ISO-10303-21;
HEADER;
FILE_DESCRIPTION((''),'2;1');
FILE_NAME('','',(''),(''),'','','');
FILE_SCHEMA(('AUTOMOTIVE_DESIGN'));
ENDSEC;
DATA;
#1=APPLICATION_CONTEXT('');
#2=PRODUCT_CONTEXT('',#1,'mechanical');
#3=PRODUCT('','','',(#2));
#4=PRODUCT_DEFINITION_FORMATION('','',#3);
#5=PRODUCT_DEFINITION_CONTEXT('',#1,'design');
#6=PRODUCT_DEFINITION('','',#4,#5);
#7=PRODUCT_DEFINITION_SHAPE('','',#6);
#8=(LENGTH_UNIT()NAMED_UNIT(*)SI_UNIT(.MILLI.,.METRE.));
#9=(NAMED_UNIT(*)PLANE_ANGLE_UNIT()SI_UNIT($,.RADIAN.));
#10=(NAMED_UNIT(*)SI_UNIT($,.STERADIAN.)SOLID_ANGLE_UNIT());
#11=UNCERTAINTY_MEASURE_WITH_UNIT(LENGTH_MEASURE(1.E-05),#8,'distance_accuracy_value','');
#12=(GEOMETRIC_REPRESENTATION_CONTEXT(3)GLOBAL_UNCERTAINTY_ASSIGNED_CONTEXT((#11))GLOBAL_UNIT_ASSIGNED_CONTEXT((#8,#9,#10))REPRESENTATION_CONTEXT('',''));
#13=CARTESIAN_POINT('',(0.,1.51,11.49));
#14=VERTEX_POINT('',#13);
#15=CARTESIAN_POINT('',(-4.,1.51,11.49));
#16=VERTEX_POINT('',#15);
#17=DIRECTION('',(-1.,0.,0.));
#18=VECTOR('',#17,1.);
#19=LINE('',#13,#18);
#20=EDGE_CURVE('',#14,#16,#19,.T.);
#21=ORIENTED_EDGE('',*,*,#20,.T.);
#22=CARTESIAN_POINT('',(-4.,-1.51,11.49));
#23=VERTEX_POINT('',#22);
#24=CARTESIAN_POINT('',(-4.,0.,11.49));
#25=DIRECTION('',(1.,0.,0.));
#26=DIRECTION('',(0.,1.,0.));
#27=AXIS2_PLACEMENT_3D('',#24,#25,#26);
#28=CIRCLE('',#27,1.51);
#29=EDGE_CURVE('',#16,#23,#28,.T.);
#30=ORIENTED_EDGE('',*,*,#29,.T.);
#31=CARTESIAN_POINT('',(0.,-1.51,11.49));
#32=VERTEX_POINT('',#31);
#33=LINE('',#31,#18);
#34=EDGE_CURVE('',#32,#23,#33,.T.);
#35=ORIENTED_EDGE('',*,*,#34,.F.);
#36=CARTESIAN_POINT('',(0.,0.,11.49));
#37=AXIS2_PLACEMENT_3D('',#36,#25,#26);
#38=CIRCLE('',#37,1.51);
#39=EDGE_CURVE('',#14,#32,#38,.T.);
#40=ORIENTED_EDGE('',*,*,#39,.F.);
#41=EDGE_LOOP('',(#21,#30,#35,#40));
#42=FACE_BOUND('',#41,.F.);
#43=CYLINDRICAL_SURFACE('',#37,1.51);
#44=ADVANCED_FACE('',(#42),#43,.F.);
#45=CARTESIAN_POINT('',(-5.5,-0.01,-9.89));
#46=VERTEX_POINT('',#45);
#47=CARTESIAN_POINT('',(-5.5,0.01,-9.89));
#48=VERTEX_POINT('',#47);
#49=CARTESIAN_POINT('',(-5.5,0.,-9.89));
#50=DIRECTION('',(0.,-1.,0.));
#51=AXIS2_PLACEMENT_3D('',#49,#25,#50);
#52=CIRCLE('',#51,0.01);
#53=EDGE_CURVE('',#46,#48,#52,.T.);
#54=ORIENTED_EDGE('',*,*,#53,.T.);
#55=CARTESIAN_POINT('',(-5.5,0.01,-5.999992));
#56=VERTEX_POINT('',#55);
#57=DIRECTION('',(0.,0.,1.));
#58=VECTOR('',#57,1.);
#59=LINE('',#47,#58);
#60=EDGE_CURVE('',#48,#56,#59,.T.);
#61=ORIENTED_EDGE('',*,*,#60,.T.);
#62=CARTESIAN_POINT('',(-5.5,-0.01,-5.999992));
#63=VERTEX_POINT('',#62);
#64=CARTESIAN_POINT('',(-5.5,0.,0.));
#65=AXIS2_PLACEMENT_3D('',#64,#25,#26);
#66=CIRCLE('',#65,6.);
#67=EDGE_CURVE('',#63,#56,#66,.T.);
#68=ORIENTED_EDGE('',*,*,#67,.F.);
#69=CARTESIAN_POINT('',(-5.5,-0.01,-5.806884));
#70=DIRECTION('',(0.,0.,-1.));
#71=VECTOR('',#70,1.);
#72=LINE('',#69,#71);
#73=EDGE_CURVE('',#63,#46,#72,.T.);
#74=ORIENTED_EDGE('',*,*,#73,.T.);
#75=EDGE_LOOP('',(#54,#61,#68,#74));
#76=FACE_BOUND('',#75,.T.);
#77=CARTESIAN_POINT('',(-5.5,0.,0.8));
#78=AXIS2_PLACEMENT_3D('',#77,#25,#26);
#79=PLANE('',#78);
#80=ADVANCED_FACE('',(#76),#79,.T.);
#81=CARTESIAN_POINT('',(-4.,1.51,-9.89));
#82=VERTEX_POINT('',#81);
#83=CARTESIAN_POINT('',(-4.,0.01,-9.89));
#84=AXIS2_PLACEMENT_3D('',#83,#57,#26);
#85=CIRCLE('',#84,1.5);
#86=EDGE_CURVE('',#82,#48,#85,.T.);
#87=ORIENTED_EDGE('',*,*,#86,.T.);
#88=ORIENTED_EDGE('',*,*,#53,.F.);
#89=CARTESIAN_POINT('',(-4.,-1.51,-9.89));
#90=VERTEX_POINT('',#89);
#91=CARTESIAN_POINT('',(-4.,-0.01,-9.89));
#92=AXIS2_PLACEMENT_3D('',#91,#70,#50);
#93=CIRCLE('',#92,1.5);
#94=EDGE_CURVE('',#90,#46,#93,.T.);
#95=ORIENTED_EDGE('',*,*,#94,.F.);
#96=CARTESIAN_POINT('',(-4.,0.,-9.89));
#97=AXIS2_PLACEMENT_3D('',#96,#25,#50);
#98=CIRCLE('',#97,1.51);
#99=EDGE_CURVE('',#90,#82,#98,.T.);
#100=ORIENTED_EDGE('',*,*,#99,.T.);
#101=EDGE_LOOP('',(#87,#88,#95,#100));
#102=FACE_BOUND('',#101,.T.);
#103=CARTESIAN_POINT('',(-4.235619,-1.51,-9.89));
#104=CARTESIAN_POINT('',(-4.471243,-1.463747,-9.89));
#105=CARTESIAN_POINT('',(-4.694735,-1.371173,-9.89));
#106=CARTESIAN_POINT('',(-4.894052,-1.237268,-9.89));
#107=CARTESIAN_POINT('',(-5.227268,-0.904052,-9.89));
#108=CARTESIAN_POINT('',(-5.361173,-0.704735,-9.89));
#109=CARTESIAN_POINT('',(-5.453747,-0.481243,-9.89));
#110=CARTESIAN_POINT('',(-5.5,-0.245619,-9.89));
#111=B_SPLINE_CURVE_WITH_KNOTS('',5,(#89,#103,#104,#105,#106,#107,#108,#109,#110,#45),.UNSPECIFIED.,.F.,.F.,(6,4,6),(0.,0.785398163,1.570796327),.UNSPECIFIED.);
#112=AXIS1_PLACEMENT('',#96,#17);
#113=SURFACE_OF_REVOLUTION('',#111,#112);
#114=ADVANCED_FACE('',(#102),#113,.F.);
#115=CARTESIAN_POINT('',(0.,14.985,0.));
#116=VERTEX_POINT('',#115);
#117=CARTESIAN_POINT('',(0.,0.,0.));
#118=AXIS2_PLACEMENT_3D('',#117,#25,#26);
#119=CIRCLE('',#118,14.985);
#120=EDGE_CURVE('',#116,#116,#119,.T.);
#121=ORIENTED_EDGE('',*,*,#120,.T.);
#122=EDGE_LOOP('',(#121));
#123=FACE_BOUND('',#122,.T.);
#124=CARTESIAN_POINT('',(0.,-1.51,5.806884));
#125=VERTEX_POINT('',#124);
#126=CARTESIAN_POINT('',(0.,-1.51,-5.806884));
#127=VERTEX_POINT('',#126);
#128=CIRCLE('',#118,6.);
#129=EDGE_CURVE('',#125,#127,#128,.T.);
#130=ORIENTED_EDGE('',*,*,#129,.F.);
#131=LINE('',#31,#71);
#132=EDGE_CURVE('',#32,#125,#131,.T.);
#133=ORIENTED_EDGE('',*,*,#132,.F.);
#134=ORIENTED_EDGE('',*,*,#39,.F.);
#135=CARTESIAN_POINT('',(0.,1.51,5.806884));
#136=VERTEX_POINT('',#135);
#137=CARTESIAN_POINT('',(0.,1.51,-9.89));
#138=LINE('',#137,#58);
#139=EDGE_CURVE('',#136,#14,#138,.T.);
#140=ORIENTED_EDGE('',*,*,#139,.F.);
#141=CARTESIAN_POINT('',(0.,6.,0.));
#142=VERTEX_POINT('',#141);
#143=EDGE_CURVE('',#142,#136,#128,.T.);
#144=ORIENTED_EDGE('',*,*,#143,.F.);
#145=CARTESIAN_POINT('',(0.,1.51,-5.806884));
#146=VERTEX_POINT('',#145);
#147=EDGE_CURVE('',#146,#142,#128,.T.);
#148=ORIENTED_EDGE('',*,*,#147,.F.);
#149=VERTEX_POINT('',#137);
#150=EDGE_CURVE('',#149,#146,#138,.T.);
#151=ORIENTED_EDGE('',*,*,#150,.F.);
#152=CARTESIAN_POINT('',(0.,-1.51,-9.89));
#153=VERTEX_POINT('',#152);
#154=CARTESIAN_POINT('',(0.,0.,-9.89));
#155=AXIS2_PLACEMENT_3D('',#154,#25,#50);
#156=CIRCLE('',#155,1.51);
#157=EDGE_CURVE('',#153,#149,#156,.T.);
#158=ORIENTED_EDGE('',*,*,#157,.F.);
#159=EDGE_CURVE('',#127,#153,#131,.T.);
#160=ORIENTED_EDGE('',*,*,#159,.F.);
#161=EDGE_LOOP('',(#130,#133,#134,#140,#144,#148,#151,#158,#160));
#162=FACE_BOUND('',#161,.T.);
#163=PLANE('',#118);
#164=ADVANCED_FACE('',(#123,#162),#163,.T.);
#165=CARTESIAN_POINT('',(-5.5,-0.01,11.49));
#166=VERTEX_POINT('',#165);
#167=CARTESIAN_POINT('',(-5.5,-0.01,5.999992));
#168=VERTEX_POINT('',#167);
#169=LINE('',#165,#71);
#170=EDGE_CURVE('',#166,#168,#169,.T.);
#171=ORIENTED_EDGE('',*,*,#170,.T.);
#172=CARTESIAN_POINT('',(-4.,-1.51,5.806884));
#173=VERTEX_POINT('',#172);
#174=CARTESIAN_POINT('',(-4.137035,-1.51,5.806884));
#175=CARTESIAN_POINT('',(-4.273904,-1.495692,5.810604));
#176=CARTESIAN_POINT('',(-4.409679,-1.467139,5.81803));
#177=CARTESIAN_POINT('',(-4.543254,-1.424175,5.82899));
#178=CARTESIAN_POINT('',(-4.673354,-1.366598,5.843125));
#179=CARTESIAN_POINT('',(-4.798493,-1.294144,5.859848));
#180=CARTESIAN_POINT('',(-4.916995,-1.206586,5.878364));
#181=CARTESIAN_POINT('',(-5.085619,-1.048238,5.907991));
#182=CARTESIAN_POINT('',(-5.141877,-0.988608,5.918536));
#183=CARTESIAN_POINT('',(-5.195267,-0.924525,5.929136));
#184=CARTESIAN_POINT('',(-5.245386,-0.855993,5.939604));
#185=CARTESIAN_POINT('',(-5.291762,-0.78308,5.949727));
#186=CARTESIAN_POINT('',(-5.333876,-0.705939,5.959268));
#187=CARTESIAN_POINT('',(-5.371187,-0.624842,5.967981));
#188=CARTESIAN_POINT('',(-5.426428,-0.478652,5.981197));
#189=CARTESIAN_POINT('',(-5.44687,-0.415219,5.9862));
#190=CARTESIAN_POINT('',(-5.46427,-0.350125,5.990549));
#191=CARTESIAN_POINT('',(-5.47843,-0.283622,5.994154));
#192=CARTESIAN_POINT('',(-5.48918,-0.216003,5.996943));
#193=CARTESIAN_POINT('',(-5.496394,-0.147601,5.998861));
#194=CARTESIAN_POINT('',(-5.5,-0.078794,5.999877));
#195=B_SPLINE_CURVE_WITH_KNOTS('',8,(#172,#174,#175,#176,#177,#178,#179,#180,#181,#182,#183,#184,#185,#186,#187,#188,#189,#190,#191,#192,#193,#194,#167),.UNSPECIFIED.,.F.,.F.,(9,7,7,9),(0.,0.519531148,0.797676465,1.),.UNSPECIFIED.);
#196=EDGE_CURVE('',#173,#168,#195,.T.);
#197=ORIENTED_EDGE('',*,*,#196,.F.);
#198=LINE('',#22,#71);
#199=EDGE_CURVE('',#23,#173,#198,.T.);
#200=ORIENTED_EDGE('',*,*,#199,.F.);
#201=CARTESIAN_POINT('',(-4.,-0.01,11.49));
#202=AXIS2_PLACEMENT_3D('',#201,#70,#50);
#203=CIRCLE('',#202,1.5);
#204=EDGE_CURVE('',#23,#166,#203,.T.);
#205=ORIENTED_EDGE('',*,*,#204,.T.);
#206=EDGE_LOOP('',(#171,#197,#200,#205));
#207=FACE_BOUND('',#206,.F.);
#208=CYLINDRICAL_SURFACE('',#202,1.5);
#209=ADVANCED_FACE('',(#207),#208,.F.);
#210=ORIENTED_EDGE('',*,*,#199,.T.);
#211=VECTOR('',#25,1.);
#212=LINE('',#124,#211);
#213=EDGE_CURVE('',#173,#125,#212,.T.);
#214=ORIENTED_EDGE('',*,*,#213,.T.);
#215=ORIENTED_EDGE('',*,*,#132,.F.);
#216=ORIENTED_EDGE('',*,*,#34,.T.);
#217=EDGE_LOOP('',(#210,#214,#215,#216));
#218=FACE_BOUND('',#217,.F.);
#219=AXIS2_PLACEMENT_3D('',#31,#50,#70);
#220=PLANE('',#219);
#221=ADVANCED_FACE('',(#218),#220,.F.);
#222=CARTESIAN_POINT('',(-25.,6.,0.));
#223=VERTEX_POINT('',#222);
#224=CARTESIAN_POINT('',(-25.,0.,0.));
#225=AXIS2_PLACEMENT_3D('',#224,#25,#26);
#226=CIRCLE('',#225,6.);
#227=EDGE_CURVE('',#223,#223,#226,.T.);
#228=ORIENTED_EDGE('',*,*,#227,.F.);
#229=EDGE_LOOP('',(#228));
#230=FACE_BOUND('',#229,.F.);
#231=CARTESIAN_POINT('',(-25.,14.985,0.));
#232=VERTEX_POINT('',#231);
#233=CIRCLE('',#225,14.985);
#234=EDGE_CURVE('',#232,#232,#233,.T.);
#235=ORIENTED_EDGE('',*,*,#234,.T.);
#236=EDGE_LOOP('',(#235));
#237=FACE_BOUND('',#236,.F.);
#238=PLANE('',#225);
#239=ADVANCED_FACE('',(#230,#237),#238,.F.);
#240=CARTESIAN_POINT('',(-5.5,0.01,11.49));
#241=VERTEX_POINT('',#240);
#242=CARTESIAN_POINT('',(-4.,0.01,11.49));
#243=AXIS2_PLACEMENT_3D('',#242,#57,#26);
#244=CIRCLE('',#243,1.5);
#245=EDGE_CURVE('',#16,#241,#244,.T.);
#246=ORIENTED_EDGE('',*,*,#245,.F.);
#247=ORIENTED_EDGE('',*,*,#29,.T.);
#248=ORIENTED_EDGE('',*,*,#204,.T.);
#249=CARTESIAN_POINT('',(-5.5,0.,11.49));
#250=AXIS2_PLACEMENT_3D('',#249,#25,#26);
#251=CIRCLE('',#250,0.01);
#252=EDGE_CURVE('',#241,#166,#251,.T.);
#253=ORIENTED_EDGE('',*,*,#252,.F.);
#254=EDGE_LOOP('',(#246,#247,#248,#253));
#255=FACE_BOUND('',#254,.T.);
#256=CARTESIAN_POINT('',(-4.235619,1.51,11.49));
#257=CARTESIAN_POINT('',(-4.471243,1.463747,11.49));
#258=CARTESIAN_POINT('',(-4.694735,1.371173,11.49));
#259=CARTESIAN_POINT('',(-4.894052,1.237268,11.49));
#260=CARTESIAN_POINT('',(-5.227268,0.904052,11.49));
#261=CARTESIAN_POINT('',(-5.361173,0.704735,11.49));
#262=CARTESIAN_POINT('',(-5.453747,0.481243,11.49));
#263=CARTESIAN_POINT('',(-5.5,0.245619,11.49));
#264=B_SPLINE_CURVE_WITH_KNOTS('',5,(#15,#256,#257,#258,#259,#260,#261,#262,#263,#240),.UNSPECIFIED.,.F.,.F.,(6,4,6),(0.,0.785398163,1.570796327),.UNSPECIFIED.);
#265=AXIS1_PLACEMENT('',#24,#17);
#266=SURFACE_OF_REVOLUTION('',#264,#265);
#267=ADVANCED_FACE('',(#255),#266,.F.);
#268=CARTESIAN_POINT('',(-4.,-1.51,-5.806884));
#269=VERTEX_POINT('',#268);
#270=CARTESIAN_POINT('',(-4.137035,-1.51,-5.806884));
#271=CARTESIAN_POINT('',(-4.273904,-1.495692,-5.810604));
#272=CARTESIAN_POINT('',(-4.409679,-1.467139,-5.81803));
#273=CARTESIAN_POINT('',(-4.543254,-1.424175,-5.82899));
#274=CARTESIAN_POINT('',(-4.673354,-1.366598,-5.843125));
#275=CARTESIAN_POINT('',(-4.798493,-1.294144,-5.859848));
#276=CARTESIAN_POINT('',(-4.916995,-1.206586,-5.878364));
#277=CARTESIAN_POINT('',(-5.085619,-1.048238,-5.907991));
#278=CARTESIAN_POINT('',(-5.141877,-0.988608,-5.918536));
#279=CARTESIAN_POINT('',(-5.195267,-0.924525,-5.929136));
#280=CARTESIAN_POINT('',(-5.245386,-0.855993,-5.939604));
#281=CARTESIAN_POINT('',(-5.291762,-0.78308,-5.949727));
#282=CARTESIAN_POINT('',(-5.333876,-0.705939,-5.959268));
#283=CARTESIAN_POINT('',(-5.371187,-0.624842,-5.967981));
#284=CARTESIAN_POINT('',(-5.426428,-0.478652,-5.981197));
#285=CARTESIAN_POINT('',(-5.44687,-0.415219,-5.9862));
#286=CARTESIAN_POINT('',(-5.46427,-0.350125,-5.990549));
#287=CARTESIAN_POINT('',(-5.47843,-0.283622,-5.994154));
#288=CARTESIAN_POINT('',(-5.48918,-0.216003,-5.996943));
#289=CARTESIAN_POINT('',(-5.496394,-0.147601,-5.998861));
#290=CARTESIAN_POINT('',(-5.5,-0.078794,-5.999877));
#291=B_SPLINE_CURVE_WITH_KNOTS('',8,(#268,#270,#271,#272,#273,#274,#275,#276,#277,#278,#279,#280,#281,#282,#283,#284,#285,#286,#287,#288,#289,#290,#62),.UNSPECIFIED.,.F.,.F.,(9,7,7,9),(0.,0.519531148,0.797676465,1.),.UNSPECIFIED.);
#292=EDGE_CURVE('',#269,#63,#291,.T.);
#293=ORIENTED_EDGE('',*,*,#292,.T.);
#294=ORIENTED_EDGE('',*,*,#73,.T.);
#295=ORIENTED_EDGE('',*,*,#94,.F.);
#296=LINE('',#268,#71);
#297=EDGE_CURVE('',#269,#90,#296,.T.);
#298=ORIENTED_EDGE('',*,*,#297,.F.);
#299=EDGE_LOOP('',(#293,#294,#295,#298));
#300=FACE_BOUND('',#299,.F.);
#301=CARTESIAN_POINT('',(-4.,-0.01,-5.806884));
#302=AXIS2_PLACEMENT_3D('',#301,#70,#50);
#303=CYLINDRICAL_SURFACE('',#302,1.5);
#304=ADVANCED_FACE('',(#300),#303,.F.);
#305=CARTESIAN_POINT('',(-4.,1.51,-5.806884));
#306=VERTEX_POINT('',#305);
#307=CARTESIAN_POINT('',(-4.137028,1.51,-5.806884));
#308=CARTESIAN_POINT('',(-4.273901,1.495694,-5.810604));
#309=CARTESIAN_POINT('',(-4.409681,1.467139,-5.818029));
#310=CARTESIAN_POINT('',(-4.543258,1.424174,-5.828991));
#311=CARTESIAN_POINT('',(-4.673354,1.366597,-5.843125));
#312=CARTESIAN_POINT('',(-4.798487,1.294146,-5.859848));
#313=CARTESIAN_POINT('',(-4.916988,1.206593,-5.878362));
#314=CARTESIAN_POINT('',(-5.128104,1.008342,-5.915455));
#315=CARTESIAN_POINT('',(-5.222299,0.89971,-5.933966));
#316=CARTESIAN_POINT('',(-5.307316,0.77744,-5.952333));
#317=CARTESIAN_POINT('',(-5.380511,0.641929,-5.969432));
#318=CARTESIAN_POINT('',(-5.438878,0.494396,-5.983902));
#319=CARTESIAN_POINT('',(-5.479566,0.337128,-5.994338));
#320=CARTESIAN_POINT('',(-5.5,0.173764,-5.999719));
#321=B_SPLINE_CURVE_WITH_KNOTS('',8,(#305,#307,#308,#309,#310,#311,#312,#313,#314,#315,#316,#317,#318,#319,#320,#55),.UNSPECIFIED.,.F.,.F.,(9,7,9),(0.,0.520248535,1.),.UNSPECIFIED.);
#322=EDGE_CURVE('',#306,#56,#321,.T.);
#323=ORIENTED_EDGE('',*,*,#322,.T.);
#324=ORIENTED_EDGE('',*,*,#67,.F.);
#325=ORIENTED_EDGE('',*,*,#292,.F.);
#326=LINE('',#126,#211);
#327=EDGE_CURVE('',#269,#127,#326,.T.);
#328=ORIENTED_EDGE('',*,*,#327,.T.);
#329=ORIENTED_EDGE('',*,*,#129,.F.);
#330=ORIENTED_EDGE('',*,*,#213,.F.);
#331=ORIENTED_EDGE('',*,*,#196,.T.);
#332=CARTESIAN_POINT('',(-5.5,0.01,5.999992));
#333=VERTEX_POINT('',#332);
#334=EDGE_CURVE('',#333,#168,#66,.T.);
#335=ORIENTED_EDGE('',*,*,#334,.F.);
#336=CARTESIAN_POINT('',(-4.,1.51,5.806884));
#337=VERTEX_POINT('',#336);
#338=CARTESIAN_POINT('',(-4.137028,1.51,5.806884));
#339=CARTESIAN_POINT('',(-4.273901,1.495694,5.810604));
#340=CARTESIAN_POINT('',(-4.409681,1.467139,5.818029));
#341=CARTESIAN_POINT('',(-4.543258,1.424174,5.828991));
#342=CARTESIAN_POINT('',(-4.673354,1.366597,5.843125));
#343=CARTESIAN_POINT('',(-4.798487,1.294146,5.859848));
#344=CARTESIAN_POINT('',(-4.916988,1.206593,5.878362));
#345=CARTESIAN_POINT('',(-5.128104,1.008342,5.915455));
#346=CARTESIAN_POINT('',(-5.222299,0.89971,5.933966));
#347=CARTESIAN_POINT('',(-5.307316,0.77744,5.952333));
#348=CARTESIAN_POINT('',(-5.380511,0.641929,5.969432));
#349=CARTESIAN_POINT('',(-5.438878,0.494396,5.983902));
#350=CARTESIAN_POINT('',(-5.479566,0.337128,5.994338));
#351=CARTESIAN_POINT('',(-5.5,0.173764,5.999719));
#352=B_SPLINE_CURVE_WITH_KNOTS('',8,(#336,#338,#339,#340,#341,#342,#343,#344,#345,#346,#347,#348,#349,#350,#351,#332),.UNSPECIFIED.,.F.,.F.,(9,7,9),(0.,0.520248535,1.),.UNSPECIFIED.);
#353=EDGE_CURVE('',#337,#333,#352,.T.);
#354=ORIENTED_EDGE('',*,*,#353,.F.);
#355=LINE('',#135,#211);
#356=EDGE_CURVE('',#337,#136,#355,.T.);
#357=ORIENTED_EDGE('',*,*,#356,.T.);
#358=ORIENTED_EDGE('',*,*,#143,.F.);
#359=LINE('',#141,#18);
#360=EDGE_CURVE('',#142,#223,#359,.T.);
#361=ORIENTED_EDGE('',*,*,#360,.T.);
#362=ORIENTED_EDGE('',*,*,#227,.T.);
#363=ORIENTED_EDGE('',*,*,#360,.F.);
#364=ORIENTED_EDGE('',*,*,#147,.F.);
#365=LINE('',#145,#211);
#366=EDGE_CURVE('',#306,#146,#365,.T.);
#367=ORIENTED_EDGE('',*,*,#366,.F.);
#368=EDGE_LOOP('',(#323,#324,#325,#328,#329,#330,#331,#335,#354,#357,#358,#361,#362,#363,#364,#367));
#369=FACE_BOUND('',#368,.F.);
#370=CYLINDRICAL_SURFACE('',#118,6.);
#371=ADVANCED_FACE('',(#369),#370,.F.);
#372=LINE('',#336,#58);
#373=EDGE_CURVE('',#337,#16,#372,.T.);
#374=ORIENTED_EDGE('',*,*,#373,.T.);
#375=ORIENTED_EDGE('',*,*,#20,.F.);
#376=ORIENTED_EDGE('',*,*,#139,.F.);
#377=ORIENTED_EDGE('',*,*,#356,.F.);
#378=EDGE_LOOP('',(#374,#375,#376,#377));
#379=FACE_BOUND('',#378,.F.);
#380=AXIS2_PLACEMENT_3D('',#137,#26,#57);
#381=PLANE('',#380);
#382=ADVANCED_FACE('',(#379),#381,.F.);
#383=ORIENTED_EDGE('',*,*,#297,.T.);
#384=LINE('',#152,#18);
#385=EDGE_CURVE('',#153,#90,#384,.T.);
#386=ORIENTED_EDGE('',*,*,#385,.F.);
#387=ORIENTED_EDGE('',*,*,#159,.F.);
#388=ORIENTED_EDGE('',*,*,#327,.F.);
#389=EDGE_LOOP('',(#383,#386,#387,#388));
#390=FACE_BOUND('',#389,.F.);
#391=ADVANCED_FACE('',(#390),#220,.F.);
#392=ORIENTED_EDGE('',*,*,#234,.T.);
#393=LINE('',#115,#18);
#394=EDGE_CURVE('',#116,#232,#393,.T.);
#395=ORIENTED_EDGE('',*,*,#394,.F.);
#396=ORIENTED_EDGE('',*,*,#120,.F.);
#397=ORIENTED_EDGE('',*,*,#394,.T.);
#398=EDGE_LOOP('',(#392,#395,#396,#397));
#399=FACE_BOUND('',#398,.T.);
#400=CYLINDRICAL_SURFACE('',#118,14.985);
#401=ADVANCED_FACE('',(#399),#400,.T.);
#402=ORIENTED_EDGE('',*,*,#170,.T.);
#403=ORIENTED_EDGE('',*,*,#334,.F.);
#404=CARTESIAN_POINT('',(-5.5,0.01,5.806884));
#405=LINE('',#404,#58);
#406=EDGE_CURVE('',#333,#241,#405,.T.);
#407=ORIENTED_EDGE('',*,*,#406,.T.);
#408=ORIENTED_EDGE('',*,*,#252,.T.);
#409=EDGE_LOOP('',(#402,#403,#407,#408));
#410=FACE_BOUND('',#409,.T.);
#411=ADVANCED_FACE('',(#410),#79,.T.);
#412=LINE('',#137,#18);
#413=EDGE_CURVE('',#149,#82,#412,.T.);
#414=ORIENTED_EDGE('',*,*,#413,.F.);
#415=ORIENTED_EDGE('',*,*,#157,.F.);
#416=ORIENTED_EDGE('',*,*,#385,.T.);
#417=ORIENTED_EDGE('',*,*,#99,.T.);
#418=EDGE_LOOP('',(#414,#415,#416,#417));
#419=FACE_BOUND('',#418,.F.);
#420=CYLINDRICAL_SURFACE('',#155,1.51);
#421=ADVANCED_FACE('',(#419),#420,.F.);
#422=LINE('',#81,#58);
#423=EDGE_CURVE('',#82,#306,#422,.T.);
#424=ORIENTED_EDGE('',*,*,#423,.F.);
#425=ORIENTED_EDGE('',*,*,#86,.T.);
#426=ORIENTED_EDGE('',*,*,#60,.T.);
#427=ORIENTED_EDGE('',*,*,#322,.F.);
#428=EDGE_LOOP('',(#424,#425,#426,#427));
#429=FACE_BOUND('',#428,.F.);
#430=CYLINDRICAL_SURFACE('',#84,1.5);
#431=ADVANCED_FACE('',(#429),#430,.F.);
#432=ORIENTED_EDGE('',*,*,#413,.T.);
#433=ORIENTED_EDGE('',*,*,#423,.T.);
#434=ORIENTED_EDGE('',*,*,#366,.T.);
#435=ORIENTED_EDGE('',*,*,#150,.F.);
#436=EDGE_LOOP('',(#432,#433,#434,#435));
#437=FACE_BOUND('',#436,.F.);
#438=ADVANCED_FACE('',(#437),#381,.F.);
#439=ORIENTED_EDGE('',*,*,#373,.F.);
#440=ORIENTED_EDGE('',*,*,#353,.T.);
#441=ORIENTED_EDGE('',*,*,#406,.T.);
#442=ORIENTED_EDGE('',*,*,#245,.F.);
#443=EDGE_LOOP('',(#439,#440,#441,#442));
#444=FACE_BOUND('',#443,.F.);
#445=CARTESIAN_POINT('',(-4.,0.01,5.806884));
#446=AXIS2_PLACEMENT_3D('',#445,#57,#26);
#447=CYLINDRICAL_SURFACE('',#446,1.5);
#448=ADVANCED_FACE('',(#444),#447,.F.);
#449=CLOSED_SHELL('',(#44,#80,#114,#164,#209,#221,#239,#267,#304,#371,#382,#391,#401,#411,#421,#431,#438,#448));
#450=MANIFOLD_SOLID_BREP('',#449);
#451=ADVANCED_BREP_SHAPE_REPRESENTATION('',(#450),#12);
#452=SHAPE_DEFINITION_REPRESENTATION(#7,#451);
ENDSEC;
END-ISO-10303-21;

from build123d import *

# Parameters (mm, degrees)
F0_R     = 14.985
F0_R_2   = 6
F1_DEPTH = 25
F3_DEPTH = 5.5
F4_R     = 1.5


with BuildPart() as f1:
    # F0 (on Right) → F1 (new body)
    with BuildSketch(Plane.YZ):
        Circle(F0_R)
        Circle(F0_R_2, mode=Mode.SUBTRACT)
    extrude(amount=-F1_DEPTH)

    # F2 (on Right) → F3 (cut)
    with BuildSketch(Plane.YZ):
        with BuildLine():
            ThreePointArc((1.51, 11.49), (0, 13), (-1.51, 11.49))
            Line((-1.51, 11.49), (-1.51, -9.89))
            ThreePointArc((-1.51, -9.89), (0, -11.4), (1.51, -9.89))
            Line((1.51, -9.89), (1.51, 11.49))
        make_face()
    extrude(amount=-F3_DEPTH, mode=Mode.SUBTRACT)

    # F4
    f4_edges = [f1.edges().sort_by_distance(p)[0] for p in [
        (-5.5, 1.51, 8.648442),
        (-5.5, 1.51, -7.848442),
    ]]
    fillet(f4_edges, radius=F4_R)


solid = f1.part
